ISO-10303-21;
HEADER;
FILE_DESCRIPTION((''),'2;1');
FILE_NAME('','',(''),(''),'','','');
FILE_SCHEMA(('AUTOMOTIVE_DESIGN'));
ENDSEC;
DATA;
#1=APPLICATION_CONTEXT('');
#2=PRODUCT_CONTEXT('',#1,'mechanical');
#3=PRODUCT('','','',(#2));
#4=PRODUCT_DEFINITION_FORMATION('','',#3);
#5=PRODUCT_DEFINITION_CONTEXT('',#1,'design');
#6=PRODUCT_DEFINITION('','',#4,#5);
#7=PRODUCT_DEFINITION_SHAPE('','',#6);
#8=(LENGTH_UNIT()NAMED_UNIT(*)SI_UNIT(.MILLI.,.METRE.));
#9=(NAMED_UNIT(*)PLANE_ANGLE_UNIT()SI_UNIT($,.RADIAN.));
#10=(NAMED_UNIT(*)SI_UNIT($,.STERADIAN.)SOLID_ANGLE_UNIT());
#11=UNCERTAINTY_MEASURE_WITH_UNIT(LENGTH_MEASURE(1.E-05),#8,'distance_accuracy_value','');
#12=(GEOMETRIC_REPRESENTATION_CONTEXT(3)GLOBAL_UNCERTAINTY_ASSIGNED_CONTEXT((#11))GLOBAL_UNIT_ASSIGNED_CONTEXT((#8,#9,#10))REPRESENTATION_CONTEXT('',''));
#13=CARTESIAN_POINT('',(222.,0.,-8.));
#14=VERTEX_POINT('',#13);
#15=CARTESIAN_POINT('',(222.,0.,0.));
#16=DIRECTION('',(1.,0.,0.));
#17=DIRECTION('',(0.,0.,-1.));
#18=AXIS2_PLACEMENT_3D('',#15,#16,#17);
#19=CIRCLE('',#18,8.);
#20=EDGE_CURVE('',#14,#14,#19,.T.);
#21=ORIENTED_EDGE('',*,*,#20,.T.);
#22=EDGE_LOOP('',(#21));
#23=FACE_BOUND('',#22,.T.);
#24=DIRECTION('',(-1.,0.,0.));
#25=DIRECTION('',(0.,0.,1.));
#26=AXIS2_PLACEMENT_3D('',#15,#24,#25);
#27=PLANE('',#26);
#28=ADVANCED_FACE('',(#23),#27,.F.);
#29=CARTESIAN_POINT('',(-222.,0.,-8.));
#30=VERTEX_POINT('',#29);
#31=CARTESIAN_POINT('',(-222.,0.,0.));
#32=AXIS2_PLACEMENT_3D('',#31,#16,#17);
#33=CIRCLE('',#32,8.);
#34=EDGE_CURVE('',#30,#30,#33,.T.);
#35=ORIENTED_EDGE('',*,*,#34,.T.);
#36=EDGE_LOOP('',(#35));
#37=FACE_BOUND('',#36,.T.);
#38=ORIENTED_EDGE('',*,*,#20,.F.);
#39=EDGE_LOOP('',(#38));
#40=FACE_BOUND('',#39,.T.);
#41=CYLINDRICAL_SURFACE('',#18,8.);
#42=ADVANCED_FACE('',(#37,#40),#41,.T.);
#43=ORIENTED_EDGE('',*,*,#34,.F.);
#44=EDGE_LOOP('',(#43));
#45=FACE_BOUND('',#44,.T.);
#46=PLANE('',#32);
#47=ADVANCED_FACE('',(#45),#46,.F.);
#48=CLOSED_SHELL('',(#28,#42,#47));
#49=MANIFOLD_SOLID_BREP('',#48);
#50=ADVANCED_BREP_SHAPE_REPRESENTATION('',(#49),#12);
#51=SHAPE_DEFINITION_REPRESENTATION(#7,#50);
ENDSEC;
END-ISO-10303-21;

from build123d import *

# Parameters (mm, degrees)
SKETCH1_W = 444
SKETCH1_H = 8


with BuildPart() as part:
    # Sketch1 → Revolve1 (revolve)
    with BuildSketch(Plane(origin=(0, 0, 0), x_dir=(-1, 0, 0), z_dir=(0, 1, 0)), mode=Mode.PRIVATE) as revolve1_sk:
        with Locations((0, 4)):
            Rectangle(SKETCH1_W, SKETCH1_H)
    revolve(revolve1_sk.sketch.rotate(Axis((222, 0, 0), (-1, 0, 0)), 180), axis=Axis((222, 0, 0), (-1, 0, 0)))


solid = part.part
